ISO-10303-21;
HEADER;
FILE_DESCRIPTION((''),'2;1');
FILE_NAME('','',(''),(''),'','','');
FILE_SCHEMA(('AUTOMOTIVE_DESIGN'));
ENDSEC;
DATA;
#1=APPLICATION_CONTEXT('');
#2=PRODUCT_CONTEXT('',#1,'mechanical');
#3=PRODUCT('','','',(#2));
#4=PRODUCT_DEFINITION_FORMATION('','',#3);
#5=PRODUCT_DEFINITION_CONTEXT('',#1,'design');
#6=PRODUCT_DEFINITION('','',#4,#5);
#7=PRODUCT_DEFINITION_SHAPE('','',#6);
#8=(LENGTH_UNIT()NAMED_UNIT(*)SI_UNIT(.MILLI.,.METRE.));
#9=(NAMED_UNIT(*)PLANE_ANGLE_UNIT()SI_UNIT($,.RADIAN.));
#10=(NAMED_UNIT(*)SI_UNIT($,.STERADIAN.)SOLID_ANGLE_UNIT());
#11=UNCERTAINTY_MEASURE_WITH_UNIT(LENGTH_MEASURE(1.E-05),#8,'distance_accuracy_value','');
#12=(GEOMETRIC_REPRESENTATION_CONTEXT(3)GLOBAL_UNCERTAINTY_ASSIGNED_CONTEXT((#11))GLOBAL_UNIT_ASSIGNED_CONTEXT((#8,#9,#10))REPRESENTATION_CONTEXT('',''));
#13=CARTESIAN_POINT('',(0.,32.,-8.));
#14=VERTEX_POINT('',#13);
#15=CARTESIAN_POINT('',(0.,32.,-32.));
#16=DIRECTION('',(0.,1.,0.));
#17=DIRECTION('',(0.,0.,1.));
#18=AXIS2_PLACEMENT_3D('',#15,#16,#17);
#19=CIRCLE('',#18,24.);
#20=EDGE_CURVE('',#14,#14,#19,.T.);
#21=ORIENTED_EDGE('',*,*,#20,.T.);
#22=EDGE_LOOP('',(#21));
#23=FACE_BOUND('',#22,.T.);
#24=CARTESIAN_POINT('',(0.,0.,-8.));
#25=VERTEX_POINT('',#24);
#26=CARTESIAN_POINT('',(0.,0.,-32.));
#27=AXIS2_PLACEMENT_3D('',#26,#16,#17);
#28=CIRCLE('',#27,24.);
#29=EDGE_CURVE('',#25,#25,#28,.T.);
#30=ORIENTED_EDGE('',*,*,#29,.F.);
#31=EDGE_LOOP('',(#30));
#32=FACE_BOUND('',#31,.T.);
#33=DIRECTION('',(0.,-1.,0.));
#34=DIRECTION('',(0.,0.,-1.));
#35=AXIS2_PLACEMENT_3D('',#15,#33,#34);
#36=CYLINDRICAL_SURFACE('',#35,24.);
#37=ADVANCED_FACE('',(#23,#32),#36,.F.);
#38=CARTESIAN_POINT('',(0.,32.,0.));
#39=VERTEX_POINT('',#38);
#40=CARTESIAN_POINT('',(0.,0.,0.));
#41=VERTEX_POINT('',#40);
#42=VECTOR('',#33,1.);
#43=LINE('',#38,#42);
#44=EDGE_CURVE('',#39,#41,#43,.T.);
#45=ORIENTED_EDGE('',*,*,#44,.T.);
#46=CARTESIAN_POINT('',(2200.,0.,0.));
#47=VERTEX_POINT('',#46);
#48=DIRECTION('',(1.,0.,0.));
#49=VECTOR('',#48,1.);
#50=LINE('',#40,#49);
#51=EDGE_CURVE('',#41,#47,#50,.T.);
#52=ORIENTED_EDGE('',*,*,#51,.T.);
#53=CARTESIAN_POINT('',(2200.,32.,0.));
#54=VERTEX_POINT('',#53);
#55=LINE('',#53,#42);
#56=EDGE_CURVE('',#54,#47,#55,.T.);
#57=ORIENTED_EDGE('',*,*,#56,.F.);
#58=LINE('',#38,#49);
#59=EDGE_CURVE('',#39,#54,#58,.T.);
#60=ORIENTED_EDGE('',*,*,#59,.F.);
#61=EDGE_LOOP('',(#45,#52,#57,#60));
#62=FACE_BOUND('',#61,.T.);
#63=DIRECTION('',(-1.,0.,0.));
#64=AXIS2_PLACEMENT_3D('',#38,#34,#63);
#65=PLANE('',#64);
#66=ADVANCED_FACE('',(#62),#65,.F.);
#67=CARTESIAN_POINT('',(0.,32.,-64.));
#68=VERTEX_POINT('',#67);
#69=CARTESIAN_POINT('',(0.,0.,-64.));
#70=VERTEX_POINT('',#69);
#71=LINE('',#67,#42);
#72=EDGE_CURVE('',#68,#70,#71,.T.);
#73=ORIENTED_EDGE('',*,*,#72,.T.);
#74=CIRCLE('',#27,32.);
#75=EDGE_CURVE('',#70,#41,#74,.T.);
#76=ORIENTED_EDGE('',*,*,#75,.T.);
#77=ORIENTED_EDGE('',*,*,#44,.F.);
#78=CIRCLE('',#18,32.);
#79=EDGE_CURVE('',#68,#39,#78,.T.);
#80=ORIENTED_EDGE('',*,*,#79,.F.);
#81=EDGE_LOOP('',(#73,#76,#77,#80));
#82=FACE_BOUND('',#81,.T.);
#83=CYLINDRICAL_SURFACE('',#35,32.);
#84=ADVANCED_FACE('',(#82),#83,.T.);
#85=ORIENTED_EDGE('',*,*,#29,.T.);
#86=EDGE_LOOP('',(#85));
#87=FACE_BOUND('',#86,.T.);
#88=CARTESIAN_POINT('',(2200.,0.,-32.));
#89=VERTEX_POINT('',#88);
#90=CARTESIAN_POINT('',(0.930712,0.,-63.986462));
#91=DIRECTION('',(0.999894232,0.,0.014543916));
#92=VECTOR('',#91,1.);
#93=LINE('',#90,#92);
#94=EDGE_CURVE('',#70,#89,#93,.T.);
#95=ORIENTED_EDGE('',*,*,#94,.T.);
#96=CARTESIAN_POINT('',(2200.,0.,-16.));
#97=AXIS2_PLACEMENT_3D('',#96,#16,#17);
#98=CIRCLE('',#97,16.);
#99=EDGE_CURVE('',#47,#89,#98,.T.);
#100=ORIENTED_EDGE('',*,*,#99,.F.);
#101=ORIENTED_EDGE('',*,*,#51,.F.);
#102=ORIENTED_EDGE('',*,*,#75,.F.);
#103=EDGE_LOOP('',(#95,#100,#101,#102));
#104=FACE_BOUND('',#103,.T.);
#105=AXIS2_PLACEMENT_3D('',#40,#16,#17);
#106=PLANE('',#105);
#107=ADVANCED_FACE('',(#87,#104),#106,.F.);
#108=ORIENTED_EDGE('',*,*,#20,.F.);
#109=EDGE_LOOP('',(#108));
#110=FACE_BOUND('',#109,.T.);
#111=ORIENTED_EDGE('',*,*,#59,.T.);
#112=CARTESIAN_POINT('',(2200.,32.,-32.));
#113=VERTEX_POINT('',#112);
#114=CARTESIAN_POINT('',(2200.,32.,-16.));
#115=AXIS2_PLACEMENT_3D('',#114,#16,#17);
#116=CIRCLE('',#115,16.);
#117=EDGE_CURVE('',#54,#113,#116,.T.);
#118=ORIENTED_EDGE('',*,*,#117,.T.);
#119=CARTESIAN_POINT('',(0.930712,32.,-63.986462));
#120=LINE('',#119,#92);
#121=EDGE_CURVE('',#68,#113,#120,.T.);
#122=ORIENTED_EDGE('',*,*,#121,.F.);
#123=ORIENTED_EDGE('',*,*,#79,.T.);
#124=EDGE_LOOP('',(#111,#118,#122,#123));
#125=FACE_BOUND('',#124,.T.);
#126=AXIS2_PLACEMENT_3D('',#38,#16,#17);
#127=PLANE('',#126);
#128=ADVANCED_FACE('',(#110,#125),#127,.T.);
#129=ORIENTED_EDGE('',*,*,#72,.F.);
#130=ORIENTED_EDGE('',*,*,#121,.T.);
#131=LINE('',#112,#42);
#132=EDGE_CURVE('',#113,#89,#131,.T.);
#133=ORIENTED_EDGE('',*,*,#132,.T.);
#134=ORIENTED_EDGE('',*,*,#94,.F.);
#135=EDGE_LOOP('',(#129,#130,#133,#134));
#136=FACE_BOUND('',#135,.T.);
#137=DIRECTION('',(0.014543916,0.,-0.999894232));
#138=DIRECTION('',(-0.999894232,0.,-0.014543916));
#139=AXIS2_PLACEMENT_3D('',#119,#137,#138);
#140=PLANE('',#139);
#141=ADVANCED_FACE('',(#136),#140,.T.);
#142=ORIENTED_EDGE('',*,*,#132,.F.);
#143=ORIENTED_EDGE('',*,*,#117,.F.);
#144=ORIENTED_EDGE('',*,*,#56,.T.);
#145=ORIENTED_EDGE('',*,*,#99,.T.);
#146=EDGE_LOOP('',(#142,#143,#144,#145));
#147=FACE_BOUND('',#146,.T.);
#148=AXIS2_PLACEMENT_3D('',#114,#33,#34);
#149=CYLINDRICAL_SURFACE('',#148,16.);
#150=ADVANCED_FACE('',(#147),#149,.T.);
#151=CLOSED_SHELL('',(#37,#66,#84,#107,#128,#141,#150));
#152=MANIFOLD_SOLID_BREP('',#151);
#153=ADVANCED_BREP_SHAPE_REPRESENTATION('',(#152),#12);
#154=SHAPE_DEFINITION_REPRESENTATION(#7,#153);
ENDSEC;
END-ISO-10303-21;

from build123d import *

# Parameters (mm, degrees)
BOSS_EXTRUDE1_DEPTH = 32


with BuildPart() as part:
    # Sketch1 → Boss-Extrude1 (new body)
    with BuildSketch(Plane(origin=(0, 0, 0), x_dir=(1, 0, 0), z_dir=(0, 1, 0))):
        with BuildLine():
            ThreePointArc((0, 64), (-32, 32), (0, 0))
            Line((0, 0), (0, 8))
            ThreePointArc((0, 8), (-24, 32), (0, 56))
            Line((0, 56), (0, 64))
        make_face()
        with BuildLine():
            Line((0, 8), (0, 0))
            ThreePointArc((0, 0), (22.627416998, 9.372583002), (32, 32))
            ThreePointArc((32, 32), (22.954114988, 54.295932479), (0.93071218, 63.986462368))
            Line((0.93071218, 63.986462368), (0, 64))
            Line((0, 64), (0, 56))
            ThreePointArc((0, 56), (16.970562748, 48.970562748), (24, 32))
            ThreePointArc((24, 32), (16.970562748, 15.029437252), (0, 8))
        make_face()
        with BuildLine():
            ThreePointArc((32, 32), (22.627416998, 9.372583002), (0, 0))
            Line((0, 0), (2200, 0))
            ThreePointArc((2200, 0), (2184, 16), (2200, 32))
            Line((2200, 32), (0.93071218, 63.986462368))
            ThreePointArc((0.93071218, 63.986462368), (22.954114988, 54.295932479), (32, 32))
        make_face()
        with BuildLine():
            ThreePointArc((2200, 32), (2184, 16), (2200, 0))
            Line((2200, 0), (2200, 32))
        make_face()
        with BuildLine():
            Line((2200, 32), (2200, 0))
            ThreePointArc((2200, 0), (2211.313708499, 4.686291501), (2216, 16))
            ThreePointArc((2216, 16), (2211.313708499, 27.313708499), (2200, 32))
        make_face()
    extrude(amount=BOSS_EXTRUDE1_DEPTH)


solid = part.part
